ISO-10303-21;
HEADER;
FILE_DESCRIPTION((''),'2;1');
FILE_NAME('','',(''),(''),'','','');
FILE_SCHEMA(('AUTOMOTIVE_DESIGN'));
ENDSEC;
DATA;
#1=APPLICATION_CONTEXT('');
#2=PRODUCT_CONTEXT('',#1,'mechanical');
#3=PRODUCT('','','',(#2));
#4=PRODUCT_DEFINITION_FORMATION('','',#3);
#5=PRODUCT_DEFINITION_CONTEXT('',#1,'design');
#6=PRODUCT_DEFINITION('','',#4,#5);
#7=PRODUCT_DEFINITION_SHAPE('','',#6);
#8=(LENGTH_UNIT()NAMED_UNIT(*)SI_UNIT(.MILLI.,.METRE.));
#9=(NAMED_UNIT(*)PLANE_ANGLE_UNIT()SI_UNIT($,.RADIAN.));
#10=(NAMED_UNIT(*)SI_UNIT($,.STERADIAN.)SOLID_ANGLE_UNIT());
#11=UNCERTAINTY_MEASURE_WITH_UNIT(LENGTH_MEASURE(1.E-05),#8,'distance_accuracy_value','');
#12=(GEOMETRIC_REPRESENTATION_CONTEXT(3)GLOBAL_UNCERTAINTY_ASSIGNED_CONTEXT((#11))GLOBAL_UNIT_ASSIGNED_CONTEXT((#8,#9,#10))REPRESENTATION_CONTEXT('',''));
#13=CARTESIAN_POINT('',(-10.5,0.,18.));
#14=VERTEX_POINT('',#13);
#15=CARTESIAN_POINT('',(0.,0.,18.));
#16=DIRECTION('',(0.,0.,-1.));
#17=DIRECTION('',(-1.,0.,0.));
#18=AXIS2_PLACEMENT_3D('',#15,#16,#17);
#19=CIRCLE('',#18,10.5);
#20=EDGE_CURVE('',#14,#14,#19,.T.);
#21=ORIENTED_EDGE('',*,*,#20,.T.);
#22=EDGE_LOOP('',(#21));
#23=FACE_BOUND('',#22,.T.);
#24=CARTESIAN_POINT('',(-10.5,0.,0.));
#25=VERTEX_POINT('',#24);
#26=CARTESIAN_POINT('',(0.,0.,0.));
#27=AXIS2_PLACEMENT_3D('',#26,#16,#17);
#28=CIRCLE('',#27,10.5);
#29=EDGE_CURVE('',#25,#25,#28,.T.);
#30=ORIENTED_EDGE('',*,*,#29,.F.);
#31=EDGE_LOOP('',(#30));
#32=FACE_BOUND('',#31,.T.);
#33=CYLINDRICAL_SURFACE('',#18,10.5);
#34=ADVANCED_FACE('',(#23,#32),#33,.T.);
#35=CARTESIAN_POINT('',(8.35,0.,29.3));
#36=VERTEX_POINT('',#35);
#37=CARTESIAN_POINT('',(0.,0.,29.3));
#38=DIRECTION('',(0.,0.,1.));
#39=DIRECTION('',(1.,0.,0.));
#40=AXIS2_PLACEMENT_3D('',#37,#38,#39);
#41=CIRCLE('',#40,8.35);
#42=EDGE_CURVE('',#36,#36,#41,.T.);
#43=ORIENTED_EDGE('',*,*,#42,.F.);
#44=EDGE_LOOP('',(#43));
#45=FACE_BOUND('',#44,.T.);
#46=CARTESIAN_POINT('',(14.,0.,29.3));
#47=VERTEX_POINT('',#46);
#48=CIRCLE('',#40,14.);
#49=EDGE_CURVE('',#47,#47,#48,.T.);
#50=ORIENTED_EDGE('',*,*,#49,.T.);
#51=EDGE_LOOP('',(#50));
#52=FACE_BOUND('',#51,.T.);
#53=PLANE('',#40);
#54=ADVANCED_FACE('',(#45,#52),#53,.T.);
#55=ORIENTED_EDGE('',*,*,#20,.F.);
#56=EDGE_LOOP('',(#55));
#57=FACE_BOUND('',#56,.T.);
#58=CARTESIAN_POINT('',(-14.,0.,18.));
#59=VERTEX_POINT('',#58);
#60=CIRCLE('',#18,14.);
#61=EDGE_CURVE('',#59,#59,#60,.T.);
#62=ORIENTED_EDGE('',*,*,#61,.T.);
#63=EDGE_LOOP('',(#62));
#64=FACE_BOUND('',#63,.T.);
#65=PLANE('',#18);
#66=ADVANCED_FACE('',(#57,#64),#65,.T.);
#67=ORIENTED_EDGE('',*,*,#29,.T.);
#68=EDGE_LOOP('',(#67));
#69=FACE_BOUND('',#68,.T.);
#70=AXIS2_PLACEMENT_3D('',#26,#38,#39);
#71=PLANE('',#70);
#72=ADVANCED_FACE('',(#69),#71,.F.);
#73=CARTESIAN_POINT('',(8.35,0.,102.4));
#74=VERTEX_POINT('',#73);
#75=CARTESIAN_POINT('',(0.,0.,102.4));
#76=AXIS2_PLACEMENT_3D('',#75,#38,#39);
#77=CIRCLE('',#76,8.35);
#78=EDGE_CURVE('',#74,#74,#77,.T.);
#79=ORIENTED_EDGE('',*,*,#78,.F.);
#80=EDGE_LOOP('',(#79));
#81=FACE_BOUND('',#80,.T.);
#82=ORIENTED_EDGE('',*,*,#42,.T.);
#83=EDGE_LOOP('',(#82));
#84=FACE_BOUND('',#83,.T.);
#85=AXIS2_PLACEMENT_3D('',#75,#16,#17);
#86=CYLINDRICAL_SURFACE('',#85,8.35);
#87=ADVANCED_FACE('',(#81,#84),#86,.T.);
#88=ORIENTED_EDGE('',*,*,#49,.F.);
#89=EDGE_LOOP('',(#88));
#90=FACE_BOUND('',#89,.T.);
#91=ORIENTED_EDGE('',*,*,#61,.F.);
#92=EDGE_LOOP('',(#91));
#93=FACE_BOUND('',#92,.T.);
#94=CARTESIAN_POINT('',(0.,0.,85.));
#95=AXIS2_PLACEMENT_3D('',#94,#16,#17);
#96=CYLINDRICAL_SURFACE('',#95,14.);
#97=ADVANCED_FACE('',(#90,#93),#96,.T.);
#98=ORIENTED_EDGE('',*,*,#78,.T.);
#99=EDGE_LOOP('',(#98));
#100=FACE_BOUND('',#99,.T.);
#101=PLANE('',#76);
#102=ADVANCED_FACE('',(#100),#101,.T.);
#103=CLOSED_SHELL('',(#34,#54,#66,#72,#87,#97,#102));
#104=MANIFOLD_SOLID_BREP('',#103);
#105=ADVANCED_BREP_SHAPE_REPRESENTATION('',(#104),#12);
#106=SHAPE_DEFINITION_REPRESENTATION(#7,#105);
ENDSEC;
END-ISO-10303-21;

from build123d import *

# Parameters (mm, degrees)
CROQUIS1_R              = 14
SALIENTE_EXTRUIR1_DEPTH = 85
CROQUIS2_OUTSIDE_W      = 48.754
CROQUIS2_OUTSIDE_H      = 48.754
CROQUIS2_OUTSIDE_R      = 10.65
CORTAR_EXTRUIR2_DEPTH   = 18
CORTAR_EXTRUIR3_START   = -55.7
CROQUIS5_R              = 14
CORTAR_EXTRUIR3_DEPTH   = 55.7
CROQUIS6_R              = 8.35
SALIENTE_EXTRUIR2_DEPTH = 73.1
CROQUIS7_OUTSIDE_W      = 51.958
CROQUIS7_OUTSIDE_H      = 51.958
CROQUIS7_OUTSIDE_R      = 10.5
CORTAR_EXTRUIR5_DEPTH   = 18


with BuildPart() as part:
    # Croquis1 → Saliente-Extruir1 (new body)
    with BuildSketch(Plane.XY):
        Circle(CROQUIS1_R)
    extrude(amount=SALIENTE_EXTRUIR1_DEPTH)

    # Croquis2 outside → Cortar-Extruir2 (cut)
    with BuildSketch(Plane(origin=(0, 0, 0), x_dir=(-1, 0, 0), z_dir=(0, 0, -1))):
        Rectangle(CROQUIS2_OUTSIDE_W, CROQUIS2_OUTSIDE_H)
        Circle(CROQUIS2_OUTSIDE_R, mode=Mode.SUBTRACT)
    extrude(amount=-CORTAR_EXTRUIR2_DEPTH, mode=Mode.SUBTRACT)

    # Croquis5 → Cortar-Extruir3 (cut)
    with BuildSketch(Plane.XY.offset(85).offset(CORTAR_EXTRUIR3_START)):
        with Locations(Location((0, 0, 0), (0, 0, 180))):
            Circle(CROQUIS5_R)
    extrude(amount=CORTAR_EXTRUIR3_DEPTH, mode=Mode.SUBTRACT)

    # Croquis6 → Saliente-Extruir2 (add)
    with BuildSketch(Plane.XY.offset(29.3)):
        Circle(CROQUIS6_R)
    extrude(amount=SALIENTE_EXTRUIR2_DEPTH)

    # Croquis7 outside → Cortar-Extruir5 (cut)
    with BuildSketch(Plane(origin=(0, 0, 0), x_dir=(-1, 0, 0), z_dir=(0, 0, -1))):
        Rectangle(CROQUIS7_OUTSIDE_W, CROQUIS7_OUTSIDE_H)
        Circle(CROQUIS7_OUTSIDE_R, mode=Mode.SUBTRACT)
    extrude(amount=-CORTAR_EXTRUIR5_DEPTH, mode=Mode.SUBTRACT)


solid = part.part
